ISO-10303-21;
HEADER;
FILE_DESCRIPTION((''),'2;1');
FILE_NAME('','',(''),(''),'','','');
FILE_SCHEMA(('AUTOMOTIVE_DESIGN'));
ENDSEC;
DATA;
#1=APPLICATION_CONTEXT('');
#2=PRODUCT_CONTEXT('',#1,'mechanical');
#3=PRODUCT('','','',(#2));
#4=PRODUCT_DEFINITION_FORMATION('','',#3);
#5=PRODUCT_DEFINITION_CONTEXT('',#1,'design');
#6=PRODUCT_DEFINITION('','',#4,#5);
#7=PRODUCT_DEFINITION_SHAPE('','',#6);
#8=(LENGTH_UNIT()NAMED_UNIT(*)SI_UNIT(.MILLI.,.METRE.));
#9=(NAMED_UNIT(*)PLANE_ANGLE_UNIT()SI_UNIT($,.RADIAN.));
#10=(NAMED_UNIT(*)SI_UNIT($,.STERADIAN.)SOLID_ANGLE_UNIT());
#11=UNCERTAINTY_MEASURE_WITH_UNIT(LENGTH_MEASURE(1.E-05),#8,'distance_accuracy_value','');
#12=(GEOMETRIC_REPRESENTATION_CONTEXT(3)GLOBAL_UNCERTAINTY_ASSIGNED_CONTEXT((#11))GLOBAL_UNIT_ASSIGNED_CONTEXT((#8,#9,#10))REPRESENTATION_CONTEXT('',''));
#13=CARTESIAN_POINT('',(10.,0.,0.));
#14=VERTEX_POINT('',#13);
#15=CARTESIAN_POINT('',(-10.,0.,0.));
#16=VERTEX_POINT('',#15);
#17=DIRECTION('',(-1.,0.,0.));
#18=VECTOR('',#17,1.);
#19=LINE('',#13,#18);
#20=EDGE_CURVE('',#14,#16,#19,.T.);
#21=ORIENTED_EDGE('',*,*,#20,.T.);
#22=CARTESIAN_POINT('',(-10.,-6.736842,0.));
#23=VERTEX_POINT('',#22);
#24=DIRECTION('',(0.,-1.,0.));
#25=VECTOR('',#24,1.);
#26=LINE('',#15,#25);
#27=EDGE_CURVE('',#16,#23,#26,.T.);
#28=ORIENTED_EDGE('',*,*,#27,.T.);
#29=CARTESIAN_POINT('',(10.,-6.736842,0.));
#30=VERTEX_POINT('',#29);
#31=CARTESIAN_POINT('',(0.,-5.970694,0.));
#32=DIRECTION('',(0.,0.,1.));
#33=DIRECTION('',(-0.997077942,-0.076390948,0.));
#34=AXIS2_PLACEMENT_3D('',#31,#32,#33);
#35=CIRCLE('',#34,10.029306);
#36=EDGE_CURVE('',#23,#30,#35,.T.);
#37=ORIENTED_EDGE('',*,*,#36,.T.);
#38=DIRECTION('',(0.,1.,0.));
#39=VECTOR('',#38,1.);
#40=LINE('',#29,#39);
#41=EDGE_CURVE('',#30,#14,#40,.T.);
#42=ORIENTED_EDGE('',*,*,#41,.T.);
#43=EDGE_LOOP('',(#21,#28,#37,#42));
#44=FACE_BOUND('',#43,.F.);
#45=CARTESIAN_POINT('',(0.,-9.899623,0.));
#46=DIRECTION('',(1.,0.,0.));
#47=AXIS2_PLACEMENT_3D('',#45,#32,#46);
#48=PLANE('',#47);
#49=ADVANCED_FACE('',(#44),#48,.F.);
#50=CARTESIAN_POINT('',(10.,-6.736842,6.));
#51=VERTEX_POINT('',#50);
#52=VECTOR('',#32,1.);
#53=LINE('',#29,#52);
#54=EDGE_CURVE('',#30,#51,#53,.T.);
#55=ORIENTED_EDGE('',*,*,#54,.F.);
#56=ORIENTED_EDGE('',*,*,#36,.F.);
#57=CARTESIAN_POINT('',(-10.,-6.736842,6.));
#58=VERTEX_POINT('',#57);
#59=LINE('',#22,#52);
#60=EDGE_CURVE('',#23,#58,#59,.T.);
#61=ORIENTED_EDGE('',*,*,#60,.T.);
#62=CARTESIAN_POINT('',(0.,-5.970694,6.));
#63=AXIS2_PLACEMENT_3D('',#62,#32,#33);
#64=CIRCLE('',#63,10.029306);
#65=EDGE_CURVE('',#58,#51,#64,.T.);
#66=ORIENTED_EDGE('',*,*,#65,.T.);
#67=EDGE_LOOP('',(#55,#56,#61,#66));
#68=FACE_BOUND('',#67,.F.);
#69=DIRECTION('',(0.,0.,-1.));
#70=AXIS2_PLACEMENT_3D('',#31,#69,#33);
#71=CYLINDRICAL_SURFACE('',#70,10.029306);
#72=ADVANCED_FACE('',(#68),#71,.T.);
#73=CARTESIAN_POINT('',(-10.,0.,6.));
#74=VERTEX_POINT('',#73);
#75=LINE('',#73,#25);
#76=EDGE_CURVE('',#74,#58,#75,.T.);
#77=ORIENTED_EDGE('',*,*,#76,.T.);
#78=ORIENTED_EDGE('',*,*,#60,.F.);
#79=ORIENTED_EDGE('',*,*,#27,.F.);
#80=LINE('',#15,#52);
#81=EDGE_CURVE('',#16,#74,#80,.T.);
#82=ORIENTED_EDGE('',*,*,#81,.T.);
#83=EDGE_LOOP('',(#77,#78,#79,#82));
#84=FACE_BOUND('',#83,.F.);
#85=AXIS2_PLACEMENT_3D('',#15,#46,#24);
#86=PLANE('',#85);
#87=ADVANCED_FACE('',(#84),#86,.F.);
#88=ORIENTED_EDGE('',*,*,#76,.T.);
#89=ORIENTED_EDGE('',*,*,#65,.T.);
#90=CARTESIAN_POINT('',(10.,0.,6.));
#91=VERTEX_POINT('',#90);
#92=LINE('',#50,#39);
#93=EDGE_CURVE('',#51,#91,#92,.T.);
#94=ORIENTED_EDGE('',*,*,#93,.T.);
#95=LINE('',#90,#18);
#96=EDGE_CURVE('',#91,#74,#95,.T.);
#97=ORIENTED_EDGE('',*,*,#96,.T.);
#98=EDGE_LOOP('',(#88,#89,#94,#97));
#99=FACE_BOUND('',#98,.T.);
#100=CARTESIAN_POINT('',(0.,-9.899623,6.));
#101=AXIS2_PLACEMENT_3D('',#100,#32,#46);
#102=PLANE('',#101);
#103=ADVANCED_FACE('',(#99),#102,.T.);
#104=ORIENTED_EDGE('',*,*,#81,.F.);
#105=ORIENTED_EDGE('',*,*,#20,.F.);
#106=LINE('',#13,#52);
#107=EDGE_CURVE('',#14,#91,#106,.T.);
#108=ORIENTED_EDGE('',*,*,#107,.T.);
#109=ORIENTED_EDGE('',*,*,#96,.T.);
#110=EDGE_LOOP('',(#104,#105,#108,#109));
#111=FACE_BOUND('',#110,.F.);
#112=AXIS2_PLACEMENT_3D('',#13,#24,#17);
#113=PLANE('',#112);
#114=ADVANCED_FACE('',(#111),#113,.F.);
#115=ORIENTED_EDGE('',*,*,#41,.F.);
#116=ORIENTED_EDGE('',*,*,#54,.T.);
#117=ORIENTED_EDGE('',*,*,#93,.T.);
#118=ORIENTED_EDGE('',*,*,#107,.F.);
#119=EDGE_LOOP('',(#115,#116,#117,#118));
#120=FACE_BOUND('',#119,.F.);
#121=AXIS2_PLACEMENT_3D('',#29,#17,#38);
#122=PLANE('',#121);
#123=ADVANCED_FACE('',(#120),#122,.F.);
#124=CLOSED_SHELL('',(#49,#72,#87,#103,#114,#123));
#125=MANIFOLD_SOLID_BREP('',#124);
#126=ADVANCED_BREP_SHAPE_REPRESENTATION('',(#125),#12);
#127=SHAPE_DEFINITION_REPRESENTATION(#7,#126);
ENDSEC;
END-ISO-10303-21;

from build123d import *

# Parameters (mm, degrees)
F1_DEPTH = 6


with BuildPart() as f1:
    # F0 (on Top) → F1 (new body)
    with BuildSketch(Plane.XY):
        with BuildLine():
            Line((10, -6.736842), (-10, -6.736842))
            ThreePointArc((-10, -6.736842), (0, -16), (10, -6.736842))
        make_face()
        Polygon((-10, 0), (-10, -6.736842), (10, -6.736842), (10, 0), (0.892831, 0), (-6.686117, 0), align=None)
    extrude(amount=F1_DEPTH)


solid = f1.part
